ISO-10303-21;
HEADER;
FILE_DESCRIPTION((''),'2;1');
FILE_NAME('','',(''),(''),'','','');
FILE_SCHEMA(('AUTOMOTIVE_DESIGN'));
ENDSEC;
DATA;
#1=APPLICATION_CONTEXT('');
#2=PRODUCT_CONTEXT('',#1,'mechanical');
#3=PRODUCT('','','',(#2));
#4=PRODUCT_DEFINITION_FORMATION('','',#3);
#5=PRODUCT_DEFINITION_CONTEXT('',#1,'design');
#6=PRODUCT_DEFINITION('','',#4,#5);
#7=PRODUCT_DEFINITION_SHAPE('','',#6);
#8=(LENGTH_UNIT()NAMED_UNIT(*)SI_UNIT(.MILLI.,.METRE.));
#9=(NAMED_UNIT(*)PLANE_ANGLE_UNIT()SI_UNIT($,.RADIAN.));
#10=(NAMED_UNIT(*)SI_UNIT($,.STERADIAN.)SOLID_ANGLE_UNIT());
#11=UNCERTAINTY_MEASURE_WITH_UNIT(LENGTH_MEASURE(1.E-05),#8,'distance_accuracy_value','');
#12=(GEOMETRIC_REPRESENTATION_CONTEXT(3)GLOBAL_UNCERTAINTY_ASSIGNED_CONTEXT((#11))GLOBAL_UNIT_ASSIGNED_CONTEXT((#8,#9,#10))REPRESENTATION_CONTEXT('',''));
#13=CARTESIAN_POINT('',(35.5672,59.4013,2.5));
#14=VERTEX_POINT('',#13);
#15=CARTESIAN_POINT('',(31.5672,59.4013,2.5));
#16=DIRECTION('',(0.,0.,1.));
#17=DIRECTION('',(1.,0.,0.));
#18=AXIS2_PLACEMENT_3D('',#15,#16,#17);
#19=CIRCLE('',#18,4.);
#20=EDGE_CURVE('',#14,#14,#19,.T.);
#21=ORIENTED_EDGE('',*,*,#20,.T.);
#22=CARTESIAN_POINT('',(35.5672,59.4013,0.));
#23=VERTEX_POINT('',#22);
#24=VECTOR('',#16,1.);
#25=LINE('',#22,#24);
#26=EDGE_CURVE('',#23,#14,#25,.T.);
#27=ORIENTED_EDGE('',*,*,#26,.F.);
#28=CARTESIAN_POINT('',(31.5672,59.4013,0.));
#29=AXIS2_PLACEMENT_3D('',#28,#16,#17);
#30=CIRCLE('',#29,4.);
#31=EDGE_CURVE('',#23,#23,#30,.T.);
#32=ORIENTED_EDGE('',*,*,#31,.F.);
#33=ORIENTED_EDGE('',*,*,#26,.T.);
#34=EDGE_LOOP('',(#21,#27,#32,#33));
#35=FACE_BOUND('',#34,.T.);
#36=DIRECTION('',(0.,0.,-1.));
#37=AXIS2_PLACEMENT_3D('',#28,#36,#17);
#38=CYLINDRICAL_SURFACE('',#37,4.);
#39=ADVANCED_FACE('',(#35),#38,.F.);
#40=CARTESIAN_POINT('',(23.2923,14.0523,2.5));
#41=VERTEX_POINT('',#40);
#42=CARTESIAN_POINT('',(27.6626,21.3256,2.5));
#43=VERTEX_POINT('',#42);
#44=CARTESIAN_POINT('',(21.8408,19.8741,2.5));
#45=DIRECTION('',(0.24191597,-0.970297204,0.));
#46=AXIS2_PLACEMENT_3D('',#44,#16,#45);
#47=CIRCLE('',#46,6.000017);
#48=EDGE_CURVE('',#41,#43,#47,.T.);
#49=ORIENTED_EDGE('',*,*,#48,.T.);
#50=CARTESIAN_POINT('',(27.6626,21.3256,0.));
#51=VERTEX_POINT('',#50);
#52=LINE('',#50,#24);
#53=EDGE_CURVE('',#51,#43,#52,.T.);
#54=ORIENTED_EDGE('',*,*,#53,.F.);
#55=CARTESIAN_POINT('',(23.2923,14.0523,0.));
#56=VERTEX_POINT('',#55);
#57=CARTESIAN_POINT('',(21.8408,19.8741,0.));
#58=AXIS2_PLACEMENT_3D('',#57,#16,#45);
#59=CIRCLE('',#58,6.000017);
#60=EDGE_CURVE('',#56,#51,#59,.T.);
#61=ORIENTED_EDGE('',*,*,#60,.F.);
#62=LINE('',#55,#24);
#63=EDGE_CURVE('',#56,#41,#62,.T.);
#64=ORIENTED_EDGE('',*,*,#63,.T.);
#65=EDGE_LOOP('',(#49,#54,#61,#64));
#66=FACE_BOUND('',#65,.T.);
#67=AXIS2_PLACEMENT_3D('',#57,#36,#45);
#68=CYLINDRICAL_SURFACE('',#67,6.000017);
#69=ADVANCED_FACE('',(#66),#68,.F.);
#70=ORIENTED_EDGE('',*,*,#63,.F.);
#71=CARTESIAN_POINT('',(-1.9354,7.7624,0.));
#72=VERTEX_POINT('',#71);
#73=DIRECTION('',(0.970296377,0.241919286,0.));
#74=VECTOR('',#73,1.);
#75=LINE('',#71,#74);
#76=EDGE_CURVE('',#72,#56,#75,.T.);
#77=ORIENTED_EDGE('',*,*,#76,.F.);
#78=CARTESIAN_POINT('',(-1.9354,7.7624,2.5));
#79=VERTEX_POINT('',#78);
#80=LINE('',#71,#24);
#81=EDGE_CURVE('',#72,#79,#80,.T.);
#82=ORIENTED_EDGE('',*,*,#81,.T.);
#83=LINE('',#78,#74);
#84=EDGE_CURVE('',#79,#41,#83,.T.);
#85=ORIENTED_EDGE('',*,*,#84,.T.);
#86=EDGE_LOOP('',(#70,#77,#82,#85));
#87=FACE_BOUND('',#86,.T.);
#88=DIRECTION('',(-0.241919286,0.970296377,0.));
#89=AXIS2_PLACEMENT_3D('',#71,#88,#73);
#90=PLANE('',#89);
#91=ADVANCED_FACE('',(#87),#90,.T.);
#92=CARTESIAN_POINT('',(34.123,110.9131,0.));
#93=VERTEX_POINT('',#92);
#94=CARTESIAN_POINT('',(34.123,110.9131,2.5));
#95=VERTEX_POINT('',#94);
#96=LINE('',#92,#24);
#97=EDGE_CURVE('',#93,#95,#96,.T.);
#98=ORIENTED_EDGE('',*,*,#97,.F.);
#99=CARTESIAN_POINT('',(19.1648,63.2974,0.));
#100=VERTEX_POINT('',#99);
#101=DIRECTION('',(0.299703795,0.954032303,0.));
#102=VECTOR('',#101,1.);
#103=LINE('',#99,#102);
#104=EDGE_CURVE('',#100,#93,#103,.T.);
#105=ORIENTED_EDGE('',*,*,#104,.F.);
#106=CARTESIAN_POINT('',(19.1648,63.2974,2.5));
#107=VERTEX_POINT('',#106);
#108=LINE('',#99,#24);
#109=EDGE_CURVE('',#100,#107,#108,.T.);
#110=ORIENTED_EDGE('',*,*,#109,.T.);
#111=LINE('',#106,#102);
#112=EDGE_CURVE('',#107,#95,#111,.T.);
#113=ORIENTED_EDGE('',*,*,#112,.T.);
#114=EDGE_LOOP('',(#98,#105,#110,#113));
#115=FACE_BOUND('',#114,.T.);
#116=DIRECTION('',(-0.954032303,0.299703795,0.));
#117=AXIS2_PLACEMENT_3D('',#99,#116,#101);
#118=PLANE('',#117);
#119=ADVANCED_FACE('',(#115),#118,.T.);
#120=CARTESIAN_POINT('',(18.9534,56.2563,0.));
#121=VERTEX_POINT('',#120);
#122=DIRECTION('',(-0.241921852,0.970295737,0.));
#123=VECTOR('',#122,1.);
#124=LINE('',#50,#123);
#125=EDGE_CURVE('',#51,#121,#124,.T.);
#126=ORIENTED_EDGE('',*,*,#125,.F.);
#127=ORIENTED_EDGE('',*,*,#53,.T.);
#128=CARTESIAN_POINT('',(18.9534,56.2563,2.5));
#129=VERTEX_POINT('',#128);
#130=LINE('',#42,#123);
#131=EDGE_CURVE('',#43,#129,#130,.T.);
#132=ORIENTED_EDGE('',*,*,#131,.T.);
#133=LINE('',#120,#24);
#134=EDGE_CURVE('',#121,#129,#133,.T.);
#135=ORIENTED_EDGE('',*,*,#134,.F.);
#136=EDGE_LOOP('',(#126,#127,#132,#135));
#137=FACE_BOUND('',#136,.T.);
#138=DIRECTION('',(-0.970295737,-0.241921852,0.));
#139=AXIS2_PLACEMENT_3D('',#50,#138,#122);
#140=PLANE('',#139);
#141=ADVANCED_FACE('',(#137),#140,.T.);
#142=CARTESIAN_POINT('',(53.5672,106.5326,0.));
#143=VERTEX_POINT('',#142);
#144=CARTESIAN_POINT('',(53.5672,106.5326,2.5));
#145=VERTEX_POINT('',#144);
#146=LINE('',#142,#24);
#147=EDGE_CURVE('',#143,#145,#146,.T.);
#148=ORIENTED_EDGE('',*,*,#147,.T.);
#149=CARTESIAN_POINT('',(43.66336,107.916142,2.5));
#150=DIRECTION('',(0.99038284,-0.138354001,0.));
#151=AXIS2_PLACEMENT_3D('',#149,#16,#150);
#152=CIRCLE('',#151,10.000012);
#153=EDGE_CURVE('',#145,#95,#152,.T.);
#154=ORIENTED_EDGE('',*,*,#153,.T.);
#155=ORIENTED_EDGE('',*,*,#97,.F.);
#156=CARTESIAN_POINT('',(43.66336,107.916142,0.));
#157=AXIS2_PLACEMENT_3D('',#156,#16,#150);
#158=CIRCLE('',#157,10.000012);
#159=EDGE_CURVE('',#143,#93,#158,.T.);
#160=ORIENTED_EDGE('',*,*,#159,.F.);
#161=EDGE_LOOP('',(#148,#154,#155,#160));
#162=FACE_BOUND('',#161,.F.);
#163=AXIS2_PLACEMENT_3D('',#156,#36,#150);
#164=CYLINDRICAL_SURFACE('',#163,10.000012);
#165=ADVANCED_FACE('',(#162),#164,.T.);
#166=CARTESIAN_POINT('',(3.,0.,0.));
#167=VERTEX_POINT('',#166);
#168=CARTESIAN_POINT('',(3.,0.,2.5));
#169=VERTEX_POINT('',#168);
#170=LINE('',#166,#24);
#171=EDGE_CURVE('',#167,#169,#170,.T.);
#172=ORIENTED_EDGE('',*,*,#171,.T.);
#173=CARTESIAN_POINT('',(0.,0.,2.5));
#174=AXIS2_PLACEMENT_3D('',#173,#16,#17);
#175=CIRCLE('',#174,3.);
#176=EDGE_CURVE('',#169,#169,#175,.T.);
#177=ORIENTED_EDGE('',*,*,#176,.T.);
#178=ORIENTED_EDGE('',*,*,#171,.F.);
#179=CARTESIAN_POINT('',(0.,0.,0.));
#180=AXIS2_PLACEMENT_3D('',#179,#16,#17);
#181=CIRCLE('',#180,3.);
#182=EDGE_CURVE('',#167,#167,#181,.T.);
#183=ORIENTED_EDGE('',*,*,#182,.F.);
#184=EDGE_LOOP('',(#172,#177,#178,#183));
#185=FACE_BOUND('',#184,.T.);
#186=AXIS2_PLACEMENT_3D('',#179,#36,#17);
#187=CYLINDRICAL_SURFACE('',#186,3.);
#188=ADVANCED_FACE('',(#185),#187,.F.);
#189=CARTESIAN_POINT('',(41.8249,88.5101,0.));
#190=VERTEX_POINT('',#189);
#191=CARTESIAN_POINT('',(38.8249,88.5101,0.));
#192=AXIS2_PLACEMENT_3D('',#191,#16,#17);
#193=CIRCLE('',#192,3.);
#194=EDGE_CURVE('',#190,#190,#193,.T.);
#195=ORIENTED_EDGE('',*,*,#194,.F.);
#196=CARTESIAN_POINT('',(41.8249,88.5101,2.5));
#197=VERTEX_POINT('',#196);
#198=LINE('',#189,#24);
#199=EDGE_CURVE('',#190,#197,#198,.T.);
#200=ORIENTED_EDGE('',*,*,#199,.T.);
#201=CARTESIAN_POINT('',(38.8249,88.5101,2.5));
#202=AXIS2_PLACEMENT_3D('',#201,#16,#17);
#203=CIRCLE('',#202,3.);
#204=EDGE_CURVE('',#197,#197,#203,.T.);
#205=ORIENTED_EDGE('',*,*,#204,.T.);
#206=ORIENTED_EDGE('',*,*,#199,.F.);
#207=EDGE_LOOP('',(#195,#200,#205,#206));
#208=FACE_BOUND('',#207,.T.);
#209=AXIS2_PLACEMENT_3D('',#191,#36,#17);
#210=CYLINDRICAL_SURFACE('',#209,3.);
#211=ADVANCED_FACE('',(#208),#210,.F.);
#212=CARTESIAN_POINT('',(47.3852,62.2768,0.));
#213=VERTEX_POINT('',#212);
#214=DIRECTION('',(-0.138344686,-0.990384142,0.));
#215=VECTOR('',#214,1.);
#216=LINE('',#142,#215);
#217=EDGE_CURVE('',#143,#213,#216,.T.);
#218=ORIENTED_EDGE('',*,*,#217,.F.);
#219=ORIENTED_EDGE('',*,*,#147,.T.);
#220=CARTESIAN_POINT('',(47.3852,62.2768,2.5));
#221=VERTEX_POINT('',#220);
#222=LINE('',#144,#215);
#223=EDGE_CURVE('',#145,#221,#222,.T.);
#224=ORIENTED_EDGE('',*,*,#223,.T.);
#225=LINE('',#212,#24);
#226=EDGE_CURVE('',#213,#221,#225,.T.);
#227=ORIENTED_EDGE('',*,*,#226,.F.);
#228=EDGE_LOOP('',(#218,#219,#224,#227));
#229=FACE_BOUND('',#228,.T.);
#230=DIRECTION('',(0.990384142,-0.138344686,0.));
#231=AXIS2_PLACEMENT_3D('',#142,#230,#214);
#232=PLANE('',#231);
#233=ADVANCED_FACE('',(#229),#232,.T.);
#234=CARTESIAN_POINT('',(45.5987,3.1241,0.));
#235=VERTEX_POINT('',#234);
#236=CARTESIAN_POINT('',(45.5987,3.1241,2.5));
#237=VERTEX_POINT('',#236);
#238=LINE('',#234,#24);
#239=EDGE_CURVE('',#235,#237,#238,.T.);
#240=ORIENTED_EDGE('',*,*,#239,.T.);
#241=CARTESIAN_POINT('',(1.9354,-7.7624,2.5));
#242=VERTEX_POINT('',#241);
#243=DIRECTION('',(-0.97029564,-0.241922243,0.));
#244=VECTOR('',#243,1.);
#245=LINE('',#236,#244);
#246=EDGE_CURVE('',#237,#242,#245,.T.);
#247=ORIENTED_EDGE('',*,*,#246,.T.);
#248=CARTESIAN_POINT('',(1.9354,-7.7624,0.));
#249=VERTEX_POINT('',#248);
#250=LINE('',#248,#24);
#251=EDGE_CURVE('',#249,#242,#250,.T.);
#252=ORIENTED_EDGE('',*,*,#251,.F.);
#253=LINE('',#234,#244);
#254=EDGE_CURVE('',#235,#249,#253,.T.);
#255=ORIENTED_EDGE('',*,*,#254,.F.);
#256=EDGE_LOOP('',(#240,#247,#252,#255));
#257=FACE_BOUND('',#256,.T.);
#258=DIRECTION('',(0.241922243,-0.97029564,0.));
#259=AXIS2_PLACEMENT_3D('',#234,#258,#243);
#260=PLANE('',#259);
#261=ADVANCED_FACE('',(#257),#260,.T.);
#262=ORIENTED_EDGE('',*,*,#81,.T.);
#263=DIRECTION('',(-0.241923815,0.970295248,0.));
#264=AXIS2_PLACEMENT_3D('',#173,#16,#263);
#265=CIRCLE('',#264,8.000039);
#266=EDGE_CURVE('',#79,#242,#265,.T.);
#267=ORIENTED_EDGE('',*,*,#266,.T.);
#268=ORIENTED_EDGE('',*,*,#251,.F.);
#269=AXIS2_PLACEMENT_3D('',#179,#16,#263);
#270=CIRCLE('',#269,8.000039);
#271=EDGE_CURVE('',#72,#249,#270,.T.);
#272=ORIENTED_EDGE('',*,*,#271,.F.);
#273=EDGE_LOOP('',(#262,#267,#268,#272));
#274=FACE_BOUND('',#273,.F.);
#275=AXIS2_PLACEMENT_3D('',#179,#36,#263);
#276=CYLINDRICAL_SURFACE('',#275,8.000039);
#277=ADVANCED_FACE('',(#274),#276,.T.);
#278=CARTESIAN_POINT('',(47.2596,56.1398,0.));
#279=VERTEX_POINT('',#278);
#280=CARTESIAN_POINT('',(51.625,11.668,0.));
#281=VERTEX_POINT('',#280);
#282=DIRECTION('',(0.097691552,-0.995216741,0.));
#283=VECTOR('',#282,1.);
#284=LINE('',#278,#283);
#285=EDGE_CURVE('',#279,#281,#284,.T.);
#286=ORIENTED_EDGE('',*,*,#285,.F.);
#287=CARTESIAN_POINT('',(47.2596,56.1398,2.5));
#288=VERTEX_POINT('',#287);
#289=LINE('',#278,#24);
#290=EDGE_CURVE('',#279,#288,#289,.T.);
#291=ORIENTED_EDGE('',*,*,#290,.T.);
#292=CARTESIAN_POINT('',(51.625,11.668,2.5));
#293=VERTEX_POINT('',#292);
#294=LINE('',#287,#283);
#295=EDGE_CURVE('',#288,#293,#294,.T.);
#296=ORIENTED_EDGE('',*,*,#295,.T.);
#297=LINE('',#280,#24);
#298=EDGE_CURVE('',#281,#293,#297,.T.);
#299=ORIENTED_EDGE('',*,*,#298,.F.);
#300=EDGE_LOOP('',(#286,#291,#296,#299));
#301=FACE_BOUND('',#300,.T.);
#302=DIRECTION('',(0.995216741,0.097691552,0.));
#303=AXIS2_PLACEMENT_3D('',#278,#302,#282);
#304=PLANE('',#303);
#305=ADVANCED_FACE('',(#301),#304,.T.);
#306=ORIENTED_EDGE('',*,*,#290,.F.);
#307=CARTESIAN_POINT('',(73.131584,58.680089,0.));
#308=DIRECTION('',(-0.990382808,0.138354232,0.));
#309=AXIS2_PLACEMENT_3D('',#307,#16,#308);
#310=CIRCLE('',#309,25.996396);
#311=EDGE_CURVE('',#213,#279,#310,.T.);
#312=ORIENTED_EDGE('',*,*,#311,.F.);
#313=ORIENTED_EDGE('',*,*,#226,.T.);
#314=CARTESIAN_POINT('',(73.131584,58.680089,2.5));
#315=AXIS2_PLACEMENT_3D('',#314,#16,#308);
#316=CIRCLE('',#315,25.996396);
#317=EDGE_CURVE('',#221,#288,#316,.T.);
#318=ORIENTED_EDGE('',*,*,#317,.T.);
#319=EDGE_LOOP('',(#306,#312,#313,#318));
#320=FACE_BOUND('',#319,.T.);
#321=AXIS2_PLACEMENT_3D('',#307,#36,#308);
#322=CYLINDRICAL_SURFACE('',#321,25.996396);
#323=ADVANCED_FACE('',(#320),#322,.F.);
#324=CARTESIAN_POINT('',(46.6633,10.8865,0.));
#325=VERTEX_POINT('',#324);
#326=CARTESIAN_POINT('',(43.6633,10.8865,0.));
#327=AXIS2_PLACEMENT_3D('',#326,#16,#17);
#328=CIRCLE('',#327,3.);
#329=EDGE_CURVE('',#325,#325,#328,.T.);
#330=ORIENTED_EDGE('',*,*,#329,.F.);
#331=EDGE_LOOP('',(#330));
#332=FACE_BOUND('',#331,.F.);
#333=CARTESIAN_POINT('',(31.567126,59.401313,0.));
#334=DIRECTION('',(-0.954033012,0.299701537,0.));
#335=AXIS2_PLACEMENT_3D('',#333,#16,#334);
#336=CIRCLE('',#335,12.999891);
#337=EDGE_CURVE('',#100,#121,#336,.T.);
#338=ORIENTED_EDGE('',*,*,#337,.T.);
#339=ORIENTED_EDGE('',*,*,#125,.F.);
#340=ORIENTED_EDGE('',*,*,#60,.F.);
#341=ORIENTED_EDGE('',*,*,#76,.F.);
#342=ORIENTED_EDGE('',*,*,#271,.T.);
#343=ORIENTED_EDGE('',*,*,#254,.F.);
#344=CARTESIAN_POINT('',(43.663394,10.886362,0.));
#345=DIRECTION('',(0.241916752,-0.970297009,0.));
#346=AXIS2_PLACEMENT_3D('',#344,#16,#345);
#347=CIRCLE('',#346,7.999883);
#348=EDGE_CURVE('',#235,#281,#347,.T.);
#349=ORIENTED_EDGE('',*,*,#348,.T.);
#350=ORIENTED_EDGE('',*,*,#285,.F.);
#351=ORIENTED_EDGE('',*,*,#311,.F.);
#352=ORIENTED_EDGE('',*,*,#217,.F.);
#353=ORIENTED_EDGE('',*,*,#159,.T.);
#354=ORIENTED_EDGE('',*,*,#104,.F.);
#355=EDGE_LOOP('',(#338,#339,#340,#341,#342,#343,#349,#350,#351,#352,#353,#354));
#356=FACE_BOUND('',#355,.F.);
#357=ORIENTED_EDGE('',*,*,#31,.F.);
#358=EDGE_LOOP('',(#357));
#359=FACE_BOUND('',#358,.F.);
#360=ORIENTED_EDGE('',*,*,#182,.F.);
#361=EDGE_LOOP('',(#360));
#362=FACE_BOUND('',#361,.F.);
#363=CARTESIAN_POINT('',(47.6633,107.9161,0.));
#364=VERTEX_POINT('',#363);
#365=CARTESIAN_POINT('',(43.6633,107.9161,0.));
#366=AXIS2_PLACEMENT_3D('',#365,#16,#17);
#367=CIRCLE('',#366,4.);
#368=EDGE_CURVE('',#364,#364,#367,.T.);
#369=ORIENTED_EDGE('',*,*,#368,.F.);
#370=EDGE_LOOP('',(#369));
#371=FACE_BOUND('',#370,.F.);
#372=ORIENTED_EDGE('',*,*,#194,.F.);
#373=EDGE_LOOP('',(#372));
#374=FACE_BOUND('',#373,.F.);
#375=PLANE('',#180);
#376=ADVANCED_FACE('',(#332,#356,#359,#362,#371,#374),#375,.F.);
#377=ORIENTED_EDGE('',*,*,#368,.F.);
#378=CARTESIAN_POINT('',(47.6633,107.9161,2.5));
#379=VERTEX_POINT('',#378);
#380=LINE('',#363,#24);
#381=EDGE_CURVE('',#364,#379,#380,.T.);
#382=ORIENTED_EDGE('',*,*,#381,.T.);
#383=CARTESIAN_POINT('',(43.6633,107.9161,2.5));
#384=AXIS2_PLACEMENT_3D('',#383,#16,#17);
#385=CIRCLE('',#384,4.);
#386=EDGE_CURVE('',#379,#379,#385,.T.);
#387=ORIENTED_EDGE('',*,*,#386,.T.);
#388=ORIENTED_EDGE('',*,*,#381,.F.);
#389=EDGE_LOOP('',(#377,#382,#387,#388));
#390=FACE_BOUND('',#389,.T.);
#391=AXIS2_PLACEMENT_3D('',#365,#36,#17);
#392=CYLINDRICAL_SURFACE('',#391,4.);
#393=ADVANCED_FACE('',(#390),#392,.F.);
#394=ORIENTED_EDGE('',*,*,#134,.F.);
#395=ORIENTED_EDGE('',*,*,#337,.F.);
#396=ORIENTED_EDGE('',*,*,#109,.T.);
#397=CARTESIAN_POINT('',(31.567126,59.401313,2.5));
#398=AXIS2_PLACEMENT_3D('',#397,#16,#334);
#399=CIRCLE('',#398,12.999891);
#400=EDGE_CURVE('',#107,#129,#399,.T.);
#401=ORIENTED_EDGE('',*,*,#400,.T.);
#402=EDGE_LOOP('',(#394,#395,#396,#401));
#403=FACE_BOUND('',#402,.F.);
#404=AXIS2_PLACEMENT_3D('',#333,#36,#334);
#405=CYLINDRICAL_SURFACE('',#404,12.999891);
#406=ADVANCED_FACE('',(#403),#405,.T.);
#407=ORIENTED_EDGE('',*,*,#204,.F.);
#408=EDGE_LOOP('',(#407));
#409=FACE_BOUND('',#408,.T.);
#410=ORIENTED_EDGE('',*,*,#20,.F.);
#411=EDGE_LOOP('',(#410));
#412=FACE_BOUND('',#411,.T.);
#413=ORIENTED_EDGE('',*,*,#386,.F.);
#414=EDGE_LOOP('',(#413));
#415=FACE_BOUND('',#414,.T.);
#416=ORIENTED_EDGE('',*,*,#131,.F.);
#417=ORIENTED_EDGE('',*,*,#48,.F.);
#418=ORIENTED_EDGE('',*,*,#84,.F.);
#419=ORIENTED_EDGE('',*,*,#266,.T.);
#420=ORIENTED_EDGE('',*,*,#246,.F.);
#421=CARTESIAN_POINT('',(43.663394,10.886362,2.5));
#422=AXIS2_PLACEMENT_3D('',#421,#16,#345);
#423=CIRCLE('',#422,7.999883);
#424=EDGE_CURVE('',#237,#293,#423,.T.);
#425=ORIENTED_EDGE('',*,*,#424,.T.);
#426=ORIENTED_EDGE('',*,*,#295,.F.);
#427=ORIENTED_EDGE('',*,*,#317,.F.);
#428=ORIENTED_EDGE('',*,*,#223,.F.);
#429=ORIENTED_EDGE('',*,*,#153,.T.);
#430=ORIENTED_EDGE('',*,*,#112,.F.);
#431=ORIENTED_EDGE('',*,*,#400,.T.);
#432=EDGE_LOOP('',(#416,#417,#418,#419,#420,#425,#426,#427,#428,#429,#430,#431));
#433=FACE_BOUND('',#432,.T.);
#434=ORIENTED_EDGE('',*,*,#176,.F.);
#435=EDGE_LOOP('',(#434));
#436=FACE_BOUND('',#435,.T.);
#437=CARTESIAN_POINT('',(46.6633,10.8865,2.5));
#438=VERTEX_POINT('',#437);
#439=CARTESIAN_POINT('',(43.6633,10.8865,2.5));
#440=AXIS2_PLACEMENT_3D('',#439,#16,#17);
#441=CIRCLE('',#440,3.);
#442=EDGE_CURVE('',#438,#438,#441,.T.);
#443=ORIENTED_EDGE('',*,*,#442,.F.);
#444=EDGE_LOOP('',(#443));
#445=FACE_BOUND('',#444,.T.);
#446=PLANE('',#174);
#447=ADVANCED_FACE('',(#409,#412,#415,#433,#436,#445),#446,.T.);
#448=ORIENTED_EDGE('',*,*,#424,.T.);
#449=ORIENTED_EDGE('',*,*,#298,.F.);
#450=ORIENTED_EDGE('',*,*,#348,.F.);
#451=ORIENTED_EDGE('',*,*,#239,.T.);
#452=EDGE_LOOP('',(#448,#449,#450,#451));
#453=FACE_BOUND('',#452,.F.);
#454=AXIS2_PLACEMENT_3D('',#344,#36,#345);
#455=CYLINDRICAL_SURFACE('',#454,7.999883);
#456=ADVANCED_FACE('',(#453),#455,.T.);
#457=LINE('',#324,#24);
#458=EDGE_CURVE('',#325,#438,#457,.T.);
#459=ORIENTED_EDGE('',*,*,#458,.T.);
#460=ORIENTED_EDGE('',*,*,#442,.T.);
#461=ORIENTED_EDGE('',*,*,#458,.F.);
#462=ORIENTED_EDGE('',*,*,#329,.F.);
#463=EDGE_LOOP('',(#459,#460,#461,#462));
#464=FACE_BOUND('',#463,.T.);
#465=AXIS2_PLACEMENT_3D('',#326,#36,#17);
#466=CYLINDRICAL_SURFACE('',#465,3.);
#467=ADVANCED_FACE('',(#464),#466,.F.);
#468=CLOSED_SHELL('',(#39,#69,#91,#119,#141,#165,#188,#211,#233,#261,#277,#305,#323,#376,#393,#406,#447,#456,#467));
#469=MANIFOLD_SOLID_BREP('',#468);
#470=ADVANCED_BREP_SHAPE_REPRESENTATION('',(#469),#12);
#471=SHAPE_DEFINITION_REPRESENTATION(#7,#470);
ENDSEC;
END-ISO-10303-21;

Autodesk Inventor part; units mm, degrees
ref_plane "YZ Plane" through (0, 0, 0) normal (1, 0, 0) x (0, 1, 0)
ref_plane "XZ Plane" through (0, 0, 0) normal (0, 1, 0) x (-1, 0, 0)
ref_plane "XY Plane" through (0, 0, 0) normal (0, 0, 1) x (1, 0, 0)
sketch "Sketch1" plane through (0, 0, 0) normal (0, 0, 1) x (1, 0, 0)
  line L0 (45.5987, 3.1241) -> (1.9354, -7.7624)
  arc A0 (-1.9354, 7.7624) -> (1.9354, -7.7624) centre (0, 0) ccw
  line L1 (-1.9354, 7.7624) -> (23.2923, 14.0523)
  line L2 (27.6626, 21.3256) -> (18.9534, 56.2563)
  line L3 (19.1648, 63.2974) -> (34.123, 110.9131)
  arc A1 (53.5672, 106.5326) -> (34.123, 110.9131) centre (43.6633, 107.9161) ccw
  line L4 (53.5672, 106.5326) -> (47.3852, 62.2768)
  line L5 (47.2596, 56.1398) -> (51.625, 11.668)
  arc A2 (45.5987, 3.1241) -> (51.625, 11.668) centre (43.6633, 10.8865) ccw
  circle A3 centre (0, 0) radius 3
  circle A4 centre (43.6633, 10.8865) radius 3
  arc A5 (23.2923, 14.0523) -> (27.6626, 21.3256) centre (21.8408, 19.8741) ccw
  arc A6 (19.1648, 63.2974) -> (18.9534, 56.2563) centre (31.5672, 59.4013) ccw
  circle A7 centre (31.5672, 59.4013) radius 4
  line L6 (43.6633, 107.9161) -> (43.6633, 10.8865) construction
  line L7 (31.5672, 59.4013) -> (43.6633, 10.8865) construction
  line L8 (43.6633, 10.8865) -> (0, 0) construction
  line L9 (31.5672, 59.4013) -> (43.6633, 107.9161) construction
  arc A8 (47.3852, 62.2768) -> (47.2596, 56.1398) centre (73.1352, 58.6798) ccw
  circle A9 centre (43.6633, 107.9161) radius 4
  circle A10 centre (38.8249, 88.5101) radius 3
  dimension "d0" = 6
  dimension "d1" = 8
  dimension "d2" = 45
  dimension "d3" = 6
  dimension "d4" = 6
  dimension "d5" = 13
  dimension "d6" = 8
  dimension "d7" = 50
  dimension "d8" = 50
  dimension "d9" = 10
  dimension "d10" = 26
  dimension "d11" = 14
  dimension "d12" = 8
  dimension "d13" = 6
  dimension "d14" = 20
extrude "Extrusion1" add sketch "Sketch1" along normal blind 2.5
properties part number "Base" material "Steel, Mild"
